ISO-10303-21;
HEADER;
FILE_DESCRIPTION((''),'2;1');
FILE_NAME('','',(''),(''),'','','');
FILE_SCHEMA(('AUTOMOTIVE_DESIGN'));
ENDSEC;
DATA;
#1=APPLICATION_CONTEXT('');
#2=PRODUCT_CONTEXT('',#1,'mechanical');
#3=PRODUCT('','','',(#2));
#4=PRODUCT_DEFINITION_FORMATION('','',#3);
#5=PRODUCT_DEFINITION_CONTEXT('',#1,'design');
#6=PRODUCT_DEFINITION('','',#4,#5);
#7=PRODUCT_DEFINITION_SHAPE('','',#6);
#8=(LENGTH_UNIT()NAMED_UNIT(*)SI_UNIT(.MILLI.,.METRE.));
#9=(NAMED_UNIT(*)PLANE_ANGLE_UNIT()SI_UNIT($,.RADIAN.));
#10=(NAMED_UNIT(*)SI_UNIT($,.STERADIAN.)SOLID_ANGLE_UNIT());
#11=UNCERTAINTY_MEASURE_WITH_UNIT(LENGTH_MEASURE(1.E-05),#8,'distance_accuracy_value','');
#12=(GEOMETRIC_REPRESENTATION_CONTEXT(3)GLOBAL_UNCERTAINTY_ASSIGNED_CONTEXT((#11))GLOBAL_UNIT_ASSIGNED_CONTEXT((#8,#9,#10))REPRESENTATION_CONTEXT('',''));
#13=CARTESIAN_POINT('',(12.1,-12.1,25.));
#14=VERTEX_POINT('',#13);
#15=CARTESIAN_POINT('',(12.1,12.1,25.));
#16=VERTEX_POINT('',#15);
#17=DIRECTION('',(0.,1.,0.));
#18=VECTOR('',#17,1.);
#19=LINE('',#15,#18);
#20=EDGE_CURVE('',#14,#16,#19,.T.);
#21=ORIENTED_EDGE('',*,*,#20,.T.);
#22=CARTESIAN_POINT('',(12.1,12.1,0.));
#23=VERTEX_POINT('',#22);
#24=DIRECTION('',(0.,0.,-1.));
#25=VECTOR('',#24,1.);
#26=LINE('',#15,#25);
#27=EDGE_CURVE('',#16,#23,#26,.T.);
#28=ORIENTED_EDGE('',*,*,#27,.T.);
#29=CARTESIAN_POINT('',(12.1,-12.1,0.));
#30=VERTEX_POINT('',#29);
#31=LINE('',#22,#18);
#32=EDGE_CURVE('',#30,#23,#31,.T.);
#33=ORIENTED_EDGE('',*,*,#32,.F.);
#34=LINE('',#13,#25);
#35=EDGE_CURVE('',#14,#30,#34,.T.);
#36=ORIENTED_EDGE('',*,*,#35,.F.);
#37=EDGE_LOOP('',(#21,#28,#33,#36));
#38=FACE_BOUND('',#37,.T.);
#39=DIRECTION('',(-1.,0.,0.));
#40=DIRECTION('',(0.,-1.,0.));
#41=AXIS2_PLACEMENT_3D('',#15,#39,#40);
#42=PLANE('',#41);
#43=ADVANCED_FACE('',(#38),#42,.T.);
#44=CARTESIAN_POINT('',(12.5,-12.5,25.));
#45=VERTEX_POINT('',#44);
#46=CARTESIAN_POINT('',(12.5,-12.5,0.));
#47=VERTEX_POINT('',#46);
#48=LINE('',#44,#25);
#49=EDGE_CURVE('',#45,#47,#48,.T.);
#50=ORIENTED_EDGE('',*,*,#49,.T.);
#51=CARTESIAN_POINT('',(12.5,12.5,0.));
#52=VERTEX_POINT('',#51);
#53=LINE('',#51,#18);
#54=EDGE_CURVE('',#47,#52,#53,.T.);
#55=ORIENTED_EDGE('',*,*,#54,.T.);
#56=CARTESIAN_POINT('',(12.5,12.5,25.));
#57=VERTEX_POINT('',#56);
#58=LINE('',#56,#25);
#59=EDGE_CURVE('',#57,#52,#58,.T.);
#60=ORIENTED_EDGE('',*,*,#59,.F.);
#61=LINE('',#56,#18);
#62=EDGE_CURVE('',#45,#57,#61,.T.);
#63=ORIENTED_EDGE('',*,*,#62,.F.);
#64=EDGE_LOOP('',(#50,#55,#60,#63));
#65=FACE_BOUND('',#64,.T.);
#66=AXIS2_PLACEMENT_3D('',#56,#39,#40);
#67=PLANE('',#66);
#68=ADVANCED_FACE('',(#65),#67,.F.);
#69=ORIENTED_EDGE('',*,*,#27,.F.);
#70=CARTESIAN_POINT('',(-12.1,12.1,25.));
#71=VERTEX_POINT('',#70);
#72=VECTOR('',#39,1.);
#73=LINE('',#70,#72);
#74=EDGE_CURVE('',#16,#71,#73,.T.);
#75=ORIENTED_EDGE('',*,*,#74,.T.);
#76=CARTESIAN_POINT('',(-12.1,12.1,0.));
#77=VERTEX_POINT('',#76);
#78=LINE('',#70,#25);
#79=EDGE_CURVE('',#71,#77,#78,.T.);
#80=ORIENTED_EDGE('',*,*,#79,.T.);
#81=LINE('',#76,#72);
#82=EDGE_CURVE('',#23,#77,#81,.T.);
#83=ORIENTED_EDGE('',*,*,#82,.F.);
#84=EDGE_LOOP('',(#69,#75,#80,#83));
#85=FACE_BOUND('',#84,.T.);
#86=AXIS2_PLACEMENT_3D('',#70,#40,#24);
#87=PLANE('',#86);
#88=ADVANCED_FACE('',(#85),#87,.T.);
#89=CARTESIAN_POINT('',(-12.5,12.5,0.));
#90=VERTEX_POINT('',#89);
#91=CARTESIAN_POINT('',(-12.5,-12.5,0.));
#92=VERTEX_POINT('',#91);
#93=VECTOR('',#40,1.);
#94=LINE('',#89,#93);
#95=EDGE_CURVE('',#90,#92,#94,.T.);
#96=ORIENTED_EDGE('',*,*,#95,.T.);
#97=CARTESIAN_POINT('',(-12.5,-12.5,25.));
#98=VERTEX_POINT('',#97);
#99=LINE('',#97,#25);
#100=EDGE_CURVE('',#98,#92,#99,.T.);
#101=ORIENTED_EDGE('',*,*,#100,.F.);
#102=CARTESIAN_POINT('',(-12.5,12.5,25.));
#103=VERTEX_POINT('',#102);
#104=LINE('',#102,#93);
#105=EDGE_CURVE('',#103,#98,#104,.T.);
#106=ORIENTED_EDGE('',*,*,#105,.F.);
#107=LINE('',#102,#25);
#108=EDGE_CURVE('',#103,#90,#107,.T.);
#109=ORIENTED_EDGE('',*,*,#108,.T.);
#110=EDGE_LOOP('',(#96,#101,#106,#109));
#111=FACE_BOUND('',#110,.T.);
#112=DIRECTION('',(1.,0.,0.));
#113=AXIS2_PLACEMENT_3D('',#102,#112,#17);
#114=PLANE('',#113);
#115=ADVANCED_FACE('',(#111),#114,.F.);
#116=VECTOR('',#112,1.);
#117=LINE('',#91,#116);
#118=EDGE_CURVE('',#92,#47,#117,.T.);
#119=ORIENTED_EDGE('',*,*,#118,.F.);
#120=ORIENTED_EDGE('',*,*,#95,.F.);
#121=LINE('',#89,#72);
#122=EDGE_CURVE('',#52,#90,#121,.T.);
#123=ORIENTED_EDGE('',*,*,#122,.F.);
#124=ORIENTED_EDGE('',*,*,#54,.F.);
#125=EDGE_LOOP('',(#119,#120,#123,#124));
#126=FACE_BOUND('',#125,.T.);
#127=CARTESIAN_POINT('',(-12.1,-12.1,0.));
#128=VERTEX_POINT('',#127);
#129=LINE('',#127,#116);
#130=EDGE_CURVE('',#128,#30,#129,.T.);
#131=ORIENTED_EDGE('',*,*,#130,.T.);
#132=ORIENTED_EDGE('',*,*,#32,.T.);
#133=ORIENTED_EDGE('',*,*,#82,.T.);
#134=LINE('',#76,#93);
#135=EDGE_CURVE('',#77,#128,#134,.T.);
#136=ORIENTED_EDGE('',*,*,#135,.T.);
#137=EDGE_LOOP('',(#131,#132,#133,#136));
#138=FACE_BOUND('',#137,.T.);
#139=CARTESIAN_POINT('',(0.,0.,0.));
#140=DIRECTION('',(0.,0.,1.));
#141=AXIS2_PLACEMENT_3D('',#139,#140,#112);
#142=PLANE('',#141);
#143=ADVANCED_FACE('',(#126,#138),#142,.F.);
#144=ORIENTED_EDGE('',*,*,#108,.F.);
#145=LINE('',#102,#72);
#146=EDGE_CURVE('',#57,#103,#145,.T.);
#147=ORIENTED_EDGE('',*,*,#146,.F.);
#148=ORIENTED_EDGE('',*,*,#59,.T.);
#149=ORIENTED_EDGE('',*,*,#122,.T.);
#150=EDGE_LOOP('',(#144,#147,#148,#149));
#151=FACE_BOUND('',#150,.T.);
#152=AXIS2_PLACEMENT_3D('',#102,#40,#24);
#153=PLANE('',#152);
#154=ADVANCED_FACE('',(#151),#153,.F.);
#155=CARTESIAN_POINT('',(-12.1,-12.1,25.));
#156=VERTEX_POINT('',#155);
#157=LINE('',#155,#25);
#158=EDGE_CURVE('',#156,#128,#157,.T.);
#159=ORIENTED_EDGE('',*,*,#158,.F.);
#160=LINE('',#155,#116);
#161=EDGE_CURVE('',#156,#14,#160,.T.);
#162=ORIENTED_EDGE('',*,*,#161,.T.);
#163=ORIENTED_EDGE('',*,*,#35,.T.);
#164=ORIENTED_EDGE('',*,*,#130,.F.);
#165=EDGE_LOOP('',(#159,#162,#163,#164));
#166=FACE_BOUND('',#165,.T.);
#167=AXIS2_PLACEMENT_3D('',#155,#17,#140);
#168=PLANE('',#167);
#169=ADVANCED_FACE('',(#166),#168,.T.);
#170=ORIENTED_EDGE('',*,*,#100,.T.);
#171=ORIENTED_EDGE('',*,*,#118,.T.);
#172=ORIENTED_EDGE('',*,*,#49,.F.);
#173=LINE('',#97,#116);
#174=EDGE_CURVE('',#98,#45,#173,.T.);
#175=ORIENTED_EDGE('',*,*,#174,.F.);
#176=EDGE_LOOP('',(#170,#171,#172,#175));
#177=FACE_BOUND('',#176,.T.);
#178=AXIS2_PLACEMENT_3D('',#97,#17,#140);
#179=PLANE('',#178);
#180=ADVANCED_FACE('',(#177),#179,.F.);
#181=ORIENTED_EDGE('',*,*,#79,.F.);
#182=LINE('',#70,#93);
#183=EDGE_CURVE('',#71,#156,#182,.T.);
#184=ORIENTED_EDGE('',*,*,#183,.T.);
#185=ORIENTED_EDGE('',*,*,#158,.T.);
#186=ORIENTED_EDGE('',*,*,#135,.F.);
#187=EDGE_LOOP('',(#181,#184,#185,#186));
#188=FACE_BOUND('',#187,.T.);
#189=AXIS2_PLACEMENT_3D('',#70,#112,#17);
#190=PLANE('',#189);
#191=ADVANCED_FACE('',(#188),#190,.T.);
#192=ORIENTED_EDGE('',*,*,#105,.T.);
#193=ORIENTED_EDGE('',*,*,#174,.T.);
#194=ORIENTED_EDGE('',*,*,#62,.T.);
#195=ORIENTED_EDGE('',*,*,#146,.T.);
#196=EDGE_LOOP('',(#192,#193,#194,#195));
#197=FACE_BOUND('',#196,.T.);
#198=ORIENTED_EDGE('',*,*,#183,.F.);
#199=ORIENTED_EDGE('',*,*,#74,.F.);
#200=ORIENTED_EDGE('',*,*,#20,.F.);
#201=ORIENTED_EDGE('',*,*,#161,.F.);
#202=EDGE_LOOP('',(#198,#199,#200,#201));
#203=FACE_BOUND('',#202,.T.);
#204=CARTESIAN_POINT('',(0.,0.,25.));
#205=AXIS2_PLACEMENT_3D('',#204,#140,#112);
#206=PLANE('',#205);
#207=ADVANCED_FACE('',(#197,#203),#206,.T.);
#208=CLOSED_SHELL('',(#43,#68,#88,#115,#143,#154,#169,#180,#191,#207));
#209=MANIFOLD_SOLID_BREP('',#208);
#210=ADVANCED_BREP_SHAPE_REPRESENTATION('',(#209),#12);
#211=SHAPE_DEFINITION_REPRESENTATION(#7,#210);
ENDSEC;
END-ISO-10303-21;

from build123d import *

# Parameters (mm, degrees)
SKETCH1_W           = 25
SKETCH1_H           = 25
SKETCH1_W_2         = 24.2
SKETCH1_H_2         = 24.2
BOSS_EXTRUDE1_DEPTH = 25


with BuildPart() as part:
    # Sketch1 → Boss-Extrude1 (new body)
    with BuildSketch(Plane.XY):
        Rectangle(SKETCH1_W, SKETCH1_H)
        Rectangle(SKETCH1_W_2, SKETCH1_H_2, mode=Mode.SUBTRACT)
    extrude(amount=BOSS_EXTRUDE1_DEPTH)


solid = part.part
